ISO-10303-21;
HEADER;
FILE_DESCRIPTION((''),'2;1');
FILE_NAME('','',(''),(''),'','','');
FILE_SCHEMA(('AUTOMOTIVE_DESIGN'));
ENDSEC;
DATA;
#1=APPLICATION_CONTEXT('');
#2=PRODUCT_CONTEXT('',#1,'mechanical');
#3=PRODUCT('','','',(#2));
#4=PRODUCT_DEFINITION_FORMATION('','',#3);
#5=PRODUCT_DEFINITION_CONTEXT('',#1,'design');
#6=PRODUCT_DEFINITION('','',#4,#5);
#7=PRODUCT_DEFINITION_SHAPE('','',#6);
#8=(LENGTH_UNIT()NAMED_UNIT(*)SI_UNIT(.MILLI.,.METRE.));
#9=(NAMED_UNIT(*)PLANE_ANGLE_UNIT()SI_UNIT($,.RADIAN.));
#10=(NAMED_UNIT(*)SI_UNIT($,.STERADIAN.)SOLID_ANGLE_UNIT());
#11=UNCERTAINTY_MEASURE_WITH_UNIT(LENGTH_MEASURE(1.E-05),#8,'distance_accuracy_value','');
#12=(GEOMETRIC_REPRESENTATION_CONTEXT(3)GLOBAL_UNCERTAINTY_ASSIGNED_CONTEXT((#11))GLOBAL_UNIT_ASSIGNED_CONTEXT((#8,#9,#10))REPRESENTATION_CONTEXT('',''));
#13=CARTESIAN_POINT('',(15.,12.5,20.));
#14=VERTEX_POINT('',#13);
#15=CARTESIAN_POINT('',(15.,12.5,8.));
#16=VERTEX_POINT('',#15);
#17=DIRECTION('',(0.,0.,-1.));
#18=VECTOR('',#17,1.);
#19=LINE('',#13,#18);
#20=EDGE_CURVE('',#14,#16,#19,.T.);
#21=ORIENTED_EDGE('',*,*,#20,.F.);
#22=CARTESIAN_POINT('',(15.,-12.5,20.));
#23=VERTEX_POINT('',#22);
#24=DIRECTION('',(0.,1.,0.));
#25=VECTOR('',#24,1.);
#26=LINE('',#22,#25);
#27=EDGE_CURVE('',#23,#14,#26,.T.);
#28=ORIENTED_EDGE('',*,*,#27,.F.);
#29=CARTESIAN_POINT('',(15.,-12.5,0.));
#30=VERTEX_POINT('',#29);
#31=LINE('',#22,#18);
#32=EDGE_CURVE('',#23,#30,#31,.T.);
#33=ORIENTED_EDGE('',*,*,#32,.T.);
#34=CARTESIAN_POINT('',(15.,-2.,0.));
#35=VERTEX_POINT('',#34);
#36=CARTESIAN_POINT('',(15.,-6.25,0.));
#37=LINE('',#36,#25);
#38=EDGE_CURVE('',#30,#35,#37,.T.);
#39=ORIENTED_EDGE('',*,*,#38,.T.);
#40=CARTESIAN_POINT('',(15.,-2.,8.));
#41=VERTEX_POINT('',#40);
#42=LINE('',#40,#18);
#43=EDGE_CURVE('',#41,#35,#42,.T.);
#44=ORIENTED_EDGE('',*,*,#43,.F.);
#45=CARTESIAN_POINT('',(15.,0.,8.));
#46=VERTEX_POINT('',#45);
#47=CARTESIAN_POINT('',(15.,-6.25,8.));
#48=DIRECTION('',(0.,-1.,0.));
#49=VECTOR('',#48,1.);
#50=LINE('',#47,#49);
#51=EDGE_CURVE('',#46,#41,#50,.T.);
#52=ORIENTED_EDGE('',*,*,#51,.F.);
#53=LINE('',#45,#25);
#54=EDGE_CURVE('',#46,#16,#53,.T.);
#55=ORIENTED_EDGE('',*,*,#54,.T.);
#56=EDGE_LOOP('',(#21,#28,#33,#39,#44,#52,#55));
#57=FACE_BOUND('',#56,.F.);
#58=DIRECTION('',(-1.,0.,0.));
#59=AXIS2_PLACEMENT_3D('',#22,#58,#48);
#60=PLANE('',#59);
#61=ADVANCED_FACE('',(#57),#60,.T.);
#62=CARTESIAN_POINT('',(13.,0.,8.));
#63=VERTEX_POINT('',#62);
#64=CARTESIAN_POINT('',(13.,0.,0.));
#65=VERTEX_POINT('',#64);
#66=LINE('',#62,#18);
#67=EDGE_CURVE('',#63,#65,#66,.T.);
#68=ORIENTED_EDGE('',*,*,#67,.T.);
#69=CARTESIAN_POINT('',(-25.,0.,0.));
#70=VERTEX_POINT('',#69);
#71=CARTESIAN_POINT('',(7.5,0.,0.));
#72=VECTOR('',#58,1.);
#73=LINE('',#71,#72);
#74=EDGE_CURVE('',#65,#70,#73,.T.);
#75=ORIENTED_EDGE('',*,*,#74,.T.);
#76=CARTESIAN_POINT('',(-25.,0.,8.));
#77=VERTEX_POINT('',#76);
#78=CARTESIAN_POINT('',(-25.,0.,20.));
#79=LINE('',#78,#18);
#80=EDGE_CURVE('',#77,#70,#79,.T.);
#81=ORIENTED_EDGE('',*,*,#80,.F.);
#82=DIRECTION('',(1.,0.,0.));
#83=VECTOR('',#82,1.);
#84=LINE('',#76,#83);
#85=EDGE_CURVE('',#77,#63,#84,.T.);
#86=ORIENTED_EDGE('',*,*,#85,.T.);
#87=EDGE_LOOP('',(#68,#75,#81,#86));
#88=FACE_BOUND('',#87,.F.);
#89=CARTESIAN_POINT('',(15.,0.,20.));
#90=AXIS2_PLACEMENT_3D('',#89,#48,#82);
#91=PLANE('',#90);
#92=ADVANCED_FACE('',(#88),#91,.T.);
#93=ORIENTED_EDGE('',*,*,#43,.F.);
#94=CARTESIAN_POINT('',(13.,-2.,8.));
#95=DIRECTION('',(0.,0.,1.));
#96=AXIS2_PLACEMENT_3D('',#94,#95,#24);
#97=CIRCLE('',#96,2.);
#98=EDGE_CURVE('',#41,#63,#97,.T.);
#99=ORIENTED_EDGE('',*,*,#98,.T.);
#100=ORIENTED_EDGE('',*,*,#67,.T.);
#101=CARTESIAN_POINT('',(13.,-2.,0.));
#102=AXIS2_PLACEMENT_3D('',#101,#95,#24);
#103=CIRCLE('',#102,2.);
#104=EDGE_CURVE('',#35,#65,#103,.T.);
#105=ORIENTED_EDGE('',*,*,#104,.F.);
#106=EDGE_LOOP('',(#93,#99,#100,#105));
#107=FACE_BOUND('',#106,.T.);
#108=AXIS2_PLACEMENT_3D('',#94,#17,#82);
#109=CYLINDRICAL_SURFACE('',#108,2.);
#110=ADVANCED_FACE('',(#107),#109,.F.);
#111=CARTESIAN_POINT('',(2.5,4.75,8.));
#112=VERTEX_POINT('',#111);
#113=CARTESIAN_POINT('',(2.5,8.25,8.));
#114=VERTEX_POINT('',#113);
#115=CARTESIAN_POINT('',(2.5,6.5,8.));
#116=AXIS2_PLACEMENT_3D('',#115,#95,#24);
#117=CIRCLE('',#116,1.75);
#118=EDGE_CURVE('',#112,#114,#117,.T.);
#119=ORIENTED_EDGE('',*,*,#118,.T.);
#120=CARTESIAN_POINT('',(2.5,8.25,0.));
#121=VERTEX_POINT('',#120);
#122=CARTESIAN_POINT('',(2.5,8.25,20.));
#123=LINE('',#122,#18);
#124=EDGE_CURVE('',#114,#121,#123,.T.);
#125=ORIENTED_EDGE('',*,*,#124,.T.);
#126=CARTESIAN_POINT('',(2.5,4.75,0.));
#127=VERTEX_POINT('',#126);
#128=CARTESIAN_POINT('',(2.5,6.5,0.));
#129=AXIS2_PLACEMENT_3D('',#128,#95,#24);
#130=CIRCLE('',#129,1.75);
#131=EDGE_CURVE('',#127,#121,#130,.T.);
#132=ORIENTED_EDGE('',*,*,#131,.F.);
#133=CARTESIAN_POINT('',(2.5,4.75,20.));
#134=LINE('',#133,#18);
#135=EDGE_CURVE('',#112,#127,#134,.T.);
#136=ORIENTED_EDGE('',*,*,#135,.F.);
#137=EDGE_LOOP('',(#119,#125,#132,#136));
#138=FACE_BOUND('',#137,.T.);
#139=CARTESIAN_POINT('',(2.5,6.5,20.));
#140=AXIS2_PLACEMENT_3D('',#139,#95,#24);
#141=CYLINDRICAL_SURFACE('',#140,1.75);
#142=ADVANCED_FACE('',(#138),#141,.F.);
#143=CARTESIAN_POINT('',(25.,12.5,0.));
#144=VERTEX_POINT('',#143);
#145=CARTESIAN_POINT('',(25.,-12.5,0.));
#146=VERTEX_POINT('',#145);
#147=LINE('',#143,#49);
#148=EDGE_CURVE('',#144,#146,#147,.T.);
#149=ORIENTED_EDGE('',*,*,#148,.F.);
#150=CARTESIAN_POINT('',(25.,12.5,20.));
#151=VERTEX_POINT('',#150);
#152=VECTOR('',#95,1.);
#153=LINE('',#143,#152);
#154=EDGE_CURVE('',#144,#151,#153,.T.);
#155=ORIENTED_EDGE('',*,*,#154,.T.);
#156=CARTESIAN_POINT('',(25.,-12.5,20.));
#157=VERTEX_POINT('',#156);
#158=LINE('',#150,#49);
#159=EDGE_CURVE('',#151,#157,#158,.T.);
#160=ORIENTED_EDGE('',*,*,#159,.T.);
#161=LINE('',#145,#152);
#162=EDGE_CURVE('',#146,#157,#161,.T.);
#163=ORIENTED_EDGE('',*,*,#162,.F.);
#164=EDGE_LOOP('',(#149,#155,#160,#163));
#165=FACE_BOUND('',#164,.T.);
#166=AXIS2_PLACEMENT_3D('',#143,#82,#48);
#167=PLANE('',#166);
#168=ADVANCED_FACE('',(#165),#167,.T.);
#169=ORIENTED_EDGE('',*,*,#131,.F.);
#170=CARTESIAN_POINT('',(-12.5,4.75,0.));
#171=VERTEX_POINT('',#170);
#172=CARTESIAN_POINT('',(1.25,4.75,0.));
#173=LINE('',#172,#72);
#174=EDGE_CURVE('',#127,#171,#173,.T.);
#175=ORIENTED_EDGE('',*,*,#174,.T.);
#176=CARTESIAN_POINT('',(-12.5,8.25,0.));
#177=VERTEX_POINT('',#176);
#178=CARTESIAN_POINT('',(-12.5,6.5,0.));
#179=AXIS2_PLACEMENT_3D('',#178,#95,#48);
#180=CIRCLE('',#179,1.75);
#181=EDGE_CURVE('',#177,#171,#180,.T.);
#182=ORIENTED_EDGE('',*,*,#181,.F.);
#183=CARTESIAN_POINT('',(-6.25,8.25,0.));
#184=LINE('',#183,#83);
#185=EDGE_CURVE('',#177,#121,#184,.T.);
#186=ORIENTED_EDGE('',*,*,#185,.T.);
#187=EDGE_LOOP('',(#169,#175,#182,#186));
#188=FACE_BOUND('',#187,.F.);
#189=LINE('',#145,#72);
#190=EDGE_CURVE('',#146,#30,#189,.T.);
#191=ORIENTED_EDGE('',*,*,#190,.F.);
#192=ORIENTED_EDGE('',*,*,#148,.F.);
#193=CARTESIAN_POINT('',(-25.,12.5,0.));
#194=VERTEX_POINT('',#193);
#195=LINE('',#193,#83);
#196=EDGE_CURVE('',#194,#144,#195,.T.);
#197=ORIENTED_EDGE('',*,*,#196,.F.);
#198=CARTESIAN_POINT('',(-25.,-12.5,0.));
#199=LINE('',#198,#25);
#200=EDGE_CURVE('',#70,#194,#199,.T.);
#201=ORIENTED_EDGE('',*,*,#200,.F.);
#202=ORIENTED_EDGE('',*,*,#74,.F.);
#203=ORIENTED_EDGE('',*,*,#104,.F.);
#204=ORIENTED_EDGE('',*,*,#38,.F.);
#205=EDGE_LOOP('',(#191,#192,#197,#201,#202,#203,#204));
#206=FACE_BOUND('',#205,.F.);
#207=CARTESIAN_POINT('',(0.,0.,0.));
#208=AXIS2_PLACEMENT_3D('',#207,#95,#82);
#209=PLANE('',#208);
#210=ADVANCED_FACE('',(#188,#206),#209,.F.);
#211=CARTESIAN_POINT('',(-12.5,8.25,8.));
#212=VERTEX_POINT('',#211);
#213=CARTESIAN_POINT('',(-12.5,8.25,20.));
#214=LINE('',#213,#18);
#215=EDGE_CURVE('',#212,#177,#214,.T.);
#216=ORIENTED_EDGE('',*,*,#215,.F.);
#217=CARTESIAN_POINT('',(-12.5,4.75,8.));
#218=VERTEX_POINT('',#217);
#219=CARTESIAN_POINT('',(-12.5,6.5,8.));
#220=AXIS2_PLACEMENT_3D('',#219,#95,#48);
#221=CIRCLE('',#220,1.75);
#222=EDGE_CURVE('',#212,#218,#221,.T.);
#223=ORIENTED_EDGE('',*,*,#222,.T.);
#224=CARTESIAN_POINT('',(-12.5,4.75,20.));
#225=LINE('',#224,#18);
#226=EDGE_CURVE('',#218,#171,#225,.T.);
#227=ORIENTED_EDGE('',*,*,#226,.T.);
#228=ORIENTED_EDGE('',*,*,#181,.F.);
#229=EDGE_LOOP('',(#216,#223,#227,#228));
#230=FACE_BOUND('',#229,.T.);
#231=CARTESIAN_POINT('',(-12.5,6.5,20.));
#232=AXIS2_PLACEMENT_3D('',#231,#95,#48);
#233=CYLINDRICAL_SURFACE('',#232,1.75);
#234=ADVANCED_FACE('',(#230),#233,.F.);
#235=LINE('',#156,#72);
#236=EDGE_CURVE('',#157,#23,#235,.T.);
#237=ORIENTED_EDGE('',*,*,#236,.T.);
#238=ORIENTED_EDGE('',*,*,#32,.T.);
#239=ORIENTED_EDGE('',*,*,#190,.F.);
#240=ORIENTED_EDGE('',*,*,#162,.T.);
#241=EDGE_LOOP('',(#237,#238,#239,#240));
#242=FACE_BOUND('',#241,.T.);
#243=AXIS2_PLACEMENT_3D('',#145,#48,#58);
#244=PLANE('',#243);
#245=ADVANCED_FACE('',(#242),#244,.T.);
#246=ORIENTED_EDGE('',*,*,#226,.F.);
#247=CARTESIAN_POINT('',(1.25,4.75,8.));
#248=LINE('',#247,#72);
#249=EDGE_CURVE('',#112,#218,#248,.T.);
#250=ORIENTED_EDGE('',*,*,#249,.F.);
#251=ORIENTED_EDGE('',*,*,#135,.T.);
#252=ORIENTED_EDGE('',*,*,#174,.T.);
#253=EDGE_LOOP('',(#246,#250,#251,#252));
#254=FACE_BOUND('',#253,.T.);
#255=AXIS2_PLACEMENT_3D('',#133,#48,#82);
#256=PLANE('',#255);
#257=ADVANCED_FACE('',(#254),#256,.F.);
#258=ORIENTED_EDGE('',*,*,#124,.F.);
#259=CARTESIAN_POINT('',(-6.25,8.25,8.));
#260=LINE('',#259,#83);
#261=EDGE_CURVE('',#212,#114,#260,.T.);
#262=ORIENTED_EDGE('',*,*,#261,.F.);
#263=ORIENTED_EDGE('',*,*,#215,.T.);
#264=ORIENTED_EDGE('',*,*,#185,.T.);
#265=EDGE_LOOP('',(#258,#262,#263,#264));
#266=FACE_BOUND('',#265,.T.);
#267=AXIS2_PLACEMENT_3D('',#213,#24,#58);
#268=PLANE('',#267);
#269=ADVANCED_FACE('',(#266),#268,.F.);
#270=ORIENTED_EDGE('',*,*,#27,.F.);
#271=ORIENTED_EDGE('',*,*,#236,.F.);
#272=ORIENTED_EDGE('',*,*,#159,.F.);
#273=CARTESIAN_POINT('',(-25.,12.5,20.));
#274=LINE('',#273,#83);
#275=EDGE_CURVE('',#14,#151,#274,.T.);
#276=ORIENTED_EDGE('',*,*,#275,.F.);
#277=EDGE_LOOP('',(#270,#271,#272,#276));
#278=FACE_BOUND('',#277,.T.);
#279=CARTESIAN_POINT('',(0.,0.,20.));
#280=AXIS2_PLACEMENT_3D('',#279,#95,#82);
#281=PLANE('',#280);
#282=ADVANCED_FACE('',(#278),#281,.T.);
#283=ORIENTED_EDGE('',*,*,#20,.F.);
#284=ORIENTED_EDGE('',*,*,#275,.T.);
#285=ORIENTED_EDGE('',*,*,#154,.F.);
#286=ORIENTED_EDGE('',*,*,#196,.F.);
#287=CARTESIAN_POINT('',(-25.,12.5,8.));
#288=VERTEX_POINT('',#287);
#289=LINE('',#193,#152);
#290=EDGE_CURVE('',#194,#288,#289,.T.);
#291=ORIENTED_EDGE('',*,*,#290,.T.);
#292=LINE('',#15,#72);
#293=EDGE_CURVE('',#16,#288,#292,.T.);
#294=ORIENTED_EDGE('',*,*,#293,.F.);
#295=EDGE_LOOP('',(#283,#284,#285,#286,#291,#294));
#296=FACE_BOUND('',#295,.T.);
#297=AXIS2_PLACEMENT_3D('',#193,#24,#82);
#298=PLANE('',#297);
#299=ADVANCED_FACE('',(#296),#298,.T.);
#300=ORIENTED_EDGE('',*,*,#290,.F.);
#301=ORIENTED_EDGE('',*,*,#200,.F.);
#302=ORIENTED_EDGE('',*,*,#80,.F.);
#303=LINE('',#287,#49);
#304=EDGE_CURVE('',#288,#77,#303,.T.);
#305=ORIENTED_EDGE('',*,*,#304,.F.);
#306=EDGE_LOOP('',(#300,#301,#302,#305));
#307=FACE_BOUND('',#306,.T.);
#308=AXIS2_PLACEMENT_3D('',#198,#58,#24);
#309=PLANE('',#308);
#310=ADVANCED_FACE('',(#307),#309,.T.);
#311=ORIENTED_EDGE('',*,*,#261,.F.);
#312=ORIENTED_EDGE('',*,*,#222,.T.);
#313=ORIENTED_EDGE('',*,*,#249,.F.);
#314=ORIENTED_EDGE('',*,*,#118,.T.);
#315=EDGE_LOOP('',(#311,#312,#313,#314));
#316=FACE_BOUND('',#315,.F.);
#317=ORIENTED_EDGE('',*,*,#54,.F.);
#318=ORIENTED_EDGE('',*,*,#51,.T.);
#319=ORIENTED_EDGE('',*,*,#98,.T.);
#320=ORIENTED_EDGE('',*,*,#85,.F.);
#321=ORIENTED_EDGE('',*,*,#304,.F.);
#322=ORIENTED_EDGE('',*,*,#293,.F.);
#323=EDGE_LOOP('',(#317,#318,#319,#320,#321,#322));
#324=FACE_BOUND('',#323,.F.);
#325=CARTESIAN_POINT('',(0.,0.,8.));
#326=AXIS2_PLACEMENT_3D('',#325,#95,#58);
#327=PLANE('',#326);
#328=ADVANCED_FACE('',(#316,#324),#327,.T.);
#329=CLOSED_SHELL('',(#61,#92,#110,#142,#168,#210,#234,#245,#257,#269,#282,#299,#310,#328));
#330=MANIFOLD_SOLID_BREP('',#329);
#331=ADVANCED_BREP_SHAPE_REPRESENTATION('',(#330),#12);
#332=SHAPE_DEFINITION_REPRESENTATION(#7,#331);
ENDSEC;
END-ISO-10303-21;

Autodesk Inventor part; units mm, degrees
ref_plane "YZ Plane" through (0, 0, 0) normal (1, 0, 0) x (0, 1, 0)
ref_plane "XZ Plane" through (0, 0, 0) normal (0, 1, 0) x (-1, 0, 0)
ref_plane "XY Plane" through (0, 0, 0) normal (0, 0, 1) x (1, 0, 0)
sketch "Sketch1" plane through (0, 0, 0) normal (0, 0, 1) x (1, 0, 0)
  line L0 (-25, 12.5) -> (25, 12.5)
  line L1 (25, 12.5) -> (25, -12.5)
  line L2 (25, -12.5) -> (-25, -12.5)
  line L3 (-25, -12.5) -> (-25, 12.5)
  point P0 (0, 0)
  point P1 (0, 12.5)
  point P2 (-25, 0)
  dimension "d0" = 50
  dimension "d1" = 25
extrude "Extrusion1" add sketch "Sketch1" along normal blind 20
sketch "Sketch5" plane through (0, 0, 20) normal (0, 0, 1) x (1, 0, 0)
  line L0 (2.5, 8.5) -> (-12.5, 8.5) construction
  line L1 (2.5, 10.25) -> (-12.5, 10.25)
  line L2 (-12.5, 6.75) -> (2.5, 6.75)
  arc A0 (2.5, 6.75) -> (2.5, 10.25) centre (2.5, 8.5) ccw
  arc A1 (-12.5, 10.25) -> (-12.5, 6.75) centre (-12.5, 8.5) ccw
  line L3 (2.5, -6.5) -> (-12.5, -6.5) construction
  line L4 (2.5, -4.75) -> (-12.5, -4.75)
  line L5 (-12.5, -8.25) -> (2.5, -8.25)
  arc A2 (2.5, -8.25) -> (2.5, -4.75) centre (2.5, -6.5) ccw
  arc A3 (-12.5, -4.75) -> (-12.5, -8.25) centre (-12.5, -6.5) ccw
  line L6 (25, 12.5) -> (-25, 12.5) projected
  line L7 (-25, -12.5) -> (25, -12.5) projected
  line L8 (-25, 12.5) -> (-25, -12.5) projected
  point P0 (0, 0)
  point P1 (-5, 8.5)
  point P2 (-5, -6.5)
  dimension "d29" = 3.5
  dimension "d30" = 4
  dimension "d31" = 6
  dimension "d32" = 20
  dimension "d33" = 15
extrude "Extrusion5" cut sketch "Sketch5" against normal through all contours A2 L5 A3 L4
sketch "Sketch6" plane through (0, 0, 20) normal (0, 0, 1) x (1, 0, 0)
  line L0 (15, 0) -> (-25, 0)
  line L1 (-25, 0) -> (-25, 12.5)
  line L2 (-25, 12.5) -> (15, 12.5)
  line L3 (15, 12.5) -> (15, 0)
  line L4 (25, -12.5) -> (25, 12.5) projected
  line L5 (-25, 12.5) -> (-25, -12.5) projected
  line L6 (25, 12.5) -> (-25, 12.5) projected
  point P0 (0, 0)
  dimension "d36" = 10
extrude "Extrusion6" cut sketch "Sketch6" against normal through all
sketch "Sketch7" plane through (0, 0, 20) normal (0, 0, 1) x (1, 0, 0)
  line L0 (15, -12.5) -> (-25, -12.5)
  line L1 (-25, -12.5) -> (-25, 0)
  line L2 (-25, 0) -> (15, 0)
  line L3 (15, 0) -> (15, -12.5)
  line L4 (15, 12.5) -> (15, 0) projected
  line L5 (-25, -12.5) -> (25, -12.5) projected
  line L6 (-25, 0) -> (-25, -12.5) projected
  line L7 (15, 0) -> (-25, 0) projected
  point P0 (0, 0)
  point P1 (15, 2)
  point P2 (13, 0)
extrude "Extrusion7" cut sketch "Sketch7" against normal blind 12
fillet "Fillet2" radius 2 1 edges at (15, 0, 4)
mirror "Mirror1" about plane through (0, 0, 0) normal (0, 1, 0) of "Extrusion1", "Extrusion5", "Extrusion6", "Extrusion7", "Fillet2"
properties part number "0005-10-030 Activator senzor x"
